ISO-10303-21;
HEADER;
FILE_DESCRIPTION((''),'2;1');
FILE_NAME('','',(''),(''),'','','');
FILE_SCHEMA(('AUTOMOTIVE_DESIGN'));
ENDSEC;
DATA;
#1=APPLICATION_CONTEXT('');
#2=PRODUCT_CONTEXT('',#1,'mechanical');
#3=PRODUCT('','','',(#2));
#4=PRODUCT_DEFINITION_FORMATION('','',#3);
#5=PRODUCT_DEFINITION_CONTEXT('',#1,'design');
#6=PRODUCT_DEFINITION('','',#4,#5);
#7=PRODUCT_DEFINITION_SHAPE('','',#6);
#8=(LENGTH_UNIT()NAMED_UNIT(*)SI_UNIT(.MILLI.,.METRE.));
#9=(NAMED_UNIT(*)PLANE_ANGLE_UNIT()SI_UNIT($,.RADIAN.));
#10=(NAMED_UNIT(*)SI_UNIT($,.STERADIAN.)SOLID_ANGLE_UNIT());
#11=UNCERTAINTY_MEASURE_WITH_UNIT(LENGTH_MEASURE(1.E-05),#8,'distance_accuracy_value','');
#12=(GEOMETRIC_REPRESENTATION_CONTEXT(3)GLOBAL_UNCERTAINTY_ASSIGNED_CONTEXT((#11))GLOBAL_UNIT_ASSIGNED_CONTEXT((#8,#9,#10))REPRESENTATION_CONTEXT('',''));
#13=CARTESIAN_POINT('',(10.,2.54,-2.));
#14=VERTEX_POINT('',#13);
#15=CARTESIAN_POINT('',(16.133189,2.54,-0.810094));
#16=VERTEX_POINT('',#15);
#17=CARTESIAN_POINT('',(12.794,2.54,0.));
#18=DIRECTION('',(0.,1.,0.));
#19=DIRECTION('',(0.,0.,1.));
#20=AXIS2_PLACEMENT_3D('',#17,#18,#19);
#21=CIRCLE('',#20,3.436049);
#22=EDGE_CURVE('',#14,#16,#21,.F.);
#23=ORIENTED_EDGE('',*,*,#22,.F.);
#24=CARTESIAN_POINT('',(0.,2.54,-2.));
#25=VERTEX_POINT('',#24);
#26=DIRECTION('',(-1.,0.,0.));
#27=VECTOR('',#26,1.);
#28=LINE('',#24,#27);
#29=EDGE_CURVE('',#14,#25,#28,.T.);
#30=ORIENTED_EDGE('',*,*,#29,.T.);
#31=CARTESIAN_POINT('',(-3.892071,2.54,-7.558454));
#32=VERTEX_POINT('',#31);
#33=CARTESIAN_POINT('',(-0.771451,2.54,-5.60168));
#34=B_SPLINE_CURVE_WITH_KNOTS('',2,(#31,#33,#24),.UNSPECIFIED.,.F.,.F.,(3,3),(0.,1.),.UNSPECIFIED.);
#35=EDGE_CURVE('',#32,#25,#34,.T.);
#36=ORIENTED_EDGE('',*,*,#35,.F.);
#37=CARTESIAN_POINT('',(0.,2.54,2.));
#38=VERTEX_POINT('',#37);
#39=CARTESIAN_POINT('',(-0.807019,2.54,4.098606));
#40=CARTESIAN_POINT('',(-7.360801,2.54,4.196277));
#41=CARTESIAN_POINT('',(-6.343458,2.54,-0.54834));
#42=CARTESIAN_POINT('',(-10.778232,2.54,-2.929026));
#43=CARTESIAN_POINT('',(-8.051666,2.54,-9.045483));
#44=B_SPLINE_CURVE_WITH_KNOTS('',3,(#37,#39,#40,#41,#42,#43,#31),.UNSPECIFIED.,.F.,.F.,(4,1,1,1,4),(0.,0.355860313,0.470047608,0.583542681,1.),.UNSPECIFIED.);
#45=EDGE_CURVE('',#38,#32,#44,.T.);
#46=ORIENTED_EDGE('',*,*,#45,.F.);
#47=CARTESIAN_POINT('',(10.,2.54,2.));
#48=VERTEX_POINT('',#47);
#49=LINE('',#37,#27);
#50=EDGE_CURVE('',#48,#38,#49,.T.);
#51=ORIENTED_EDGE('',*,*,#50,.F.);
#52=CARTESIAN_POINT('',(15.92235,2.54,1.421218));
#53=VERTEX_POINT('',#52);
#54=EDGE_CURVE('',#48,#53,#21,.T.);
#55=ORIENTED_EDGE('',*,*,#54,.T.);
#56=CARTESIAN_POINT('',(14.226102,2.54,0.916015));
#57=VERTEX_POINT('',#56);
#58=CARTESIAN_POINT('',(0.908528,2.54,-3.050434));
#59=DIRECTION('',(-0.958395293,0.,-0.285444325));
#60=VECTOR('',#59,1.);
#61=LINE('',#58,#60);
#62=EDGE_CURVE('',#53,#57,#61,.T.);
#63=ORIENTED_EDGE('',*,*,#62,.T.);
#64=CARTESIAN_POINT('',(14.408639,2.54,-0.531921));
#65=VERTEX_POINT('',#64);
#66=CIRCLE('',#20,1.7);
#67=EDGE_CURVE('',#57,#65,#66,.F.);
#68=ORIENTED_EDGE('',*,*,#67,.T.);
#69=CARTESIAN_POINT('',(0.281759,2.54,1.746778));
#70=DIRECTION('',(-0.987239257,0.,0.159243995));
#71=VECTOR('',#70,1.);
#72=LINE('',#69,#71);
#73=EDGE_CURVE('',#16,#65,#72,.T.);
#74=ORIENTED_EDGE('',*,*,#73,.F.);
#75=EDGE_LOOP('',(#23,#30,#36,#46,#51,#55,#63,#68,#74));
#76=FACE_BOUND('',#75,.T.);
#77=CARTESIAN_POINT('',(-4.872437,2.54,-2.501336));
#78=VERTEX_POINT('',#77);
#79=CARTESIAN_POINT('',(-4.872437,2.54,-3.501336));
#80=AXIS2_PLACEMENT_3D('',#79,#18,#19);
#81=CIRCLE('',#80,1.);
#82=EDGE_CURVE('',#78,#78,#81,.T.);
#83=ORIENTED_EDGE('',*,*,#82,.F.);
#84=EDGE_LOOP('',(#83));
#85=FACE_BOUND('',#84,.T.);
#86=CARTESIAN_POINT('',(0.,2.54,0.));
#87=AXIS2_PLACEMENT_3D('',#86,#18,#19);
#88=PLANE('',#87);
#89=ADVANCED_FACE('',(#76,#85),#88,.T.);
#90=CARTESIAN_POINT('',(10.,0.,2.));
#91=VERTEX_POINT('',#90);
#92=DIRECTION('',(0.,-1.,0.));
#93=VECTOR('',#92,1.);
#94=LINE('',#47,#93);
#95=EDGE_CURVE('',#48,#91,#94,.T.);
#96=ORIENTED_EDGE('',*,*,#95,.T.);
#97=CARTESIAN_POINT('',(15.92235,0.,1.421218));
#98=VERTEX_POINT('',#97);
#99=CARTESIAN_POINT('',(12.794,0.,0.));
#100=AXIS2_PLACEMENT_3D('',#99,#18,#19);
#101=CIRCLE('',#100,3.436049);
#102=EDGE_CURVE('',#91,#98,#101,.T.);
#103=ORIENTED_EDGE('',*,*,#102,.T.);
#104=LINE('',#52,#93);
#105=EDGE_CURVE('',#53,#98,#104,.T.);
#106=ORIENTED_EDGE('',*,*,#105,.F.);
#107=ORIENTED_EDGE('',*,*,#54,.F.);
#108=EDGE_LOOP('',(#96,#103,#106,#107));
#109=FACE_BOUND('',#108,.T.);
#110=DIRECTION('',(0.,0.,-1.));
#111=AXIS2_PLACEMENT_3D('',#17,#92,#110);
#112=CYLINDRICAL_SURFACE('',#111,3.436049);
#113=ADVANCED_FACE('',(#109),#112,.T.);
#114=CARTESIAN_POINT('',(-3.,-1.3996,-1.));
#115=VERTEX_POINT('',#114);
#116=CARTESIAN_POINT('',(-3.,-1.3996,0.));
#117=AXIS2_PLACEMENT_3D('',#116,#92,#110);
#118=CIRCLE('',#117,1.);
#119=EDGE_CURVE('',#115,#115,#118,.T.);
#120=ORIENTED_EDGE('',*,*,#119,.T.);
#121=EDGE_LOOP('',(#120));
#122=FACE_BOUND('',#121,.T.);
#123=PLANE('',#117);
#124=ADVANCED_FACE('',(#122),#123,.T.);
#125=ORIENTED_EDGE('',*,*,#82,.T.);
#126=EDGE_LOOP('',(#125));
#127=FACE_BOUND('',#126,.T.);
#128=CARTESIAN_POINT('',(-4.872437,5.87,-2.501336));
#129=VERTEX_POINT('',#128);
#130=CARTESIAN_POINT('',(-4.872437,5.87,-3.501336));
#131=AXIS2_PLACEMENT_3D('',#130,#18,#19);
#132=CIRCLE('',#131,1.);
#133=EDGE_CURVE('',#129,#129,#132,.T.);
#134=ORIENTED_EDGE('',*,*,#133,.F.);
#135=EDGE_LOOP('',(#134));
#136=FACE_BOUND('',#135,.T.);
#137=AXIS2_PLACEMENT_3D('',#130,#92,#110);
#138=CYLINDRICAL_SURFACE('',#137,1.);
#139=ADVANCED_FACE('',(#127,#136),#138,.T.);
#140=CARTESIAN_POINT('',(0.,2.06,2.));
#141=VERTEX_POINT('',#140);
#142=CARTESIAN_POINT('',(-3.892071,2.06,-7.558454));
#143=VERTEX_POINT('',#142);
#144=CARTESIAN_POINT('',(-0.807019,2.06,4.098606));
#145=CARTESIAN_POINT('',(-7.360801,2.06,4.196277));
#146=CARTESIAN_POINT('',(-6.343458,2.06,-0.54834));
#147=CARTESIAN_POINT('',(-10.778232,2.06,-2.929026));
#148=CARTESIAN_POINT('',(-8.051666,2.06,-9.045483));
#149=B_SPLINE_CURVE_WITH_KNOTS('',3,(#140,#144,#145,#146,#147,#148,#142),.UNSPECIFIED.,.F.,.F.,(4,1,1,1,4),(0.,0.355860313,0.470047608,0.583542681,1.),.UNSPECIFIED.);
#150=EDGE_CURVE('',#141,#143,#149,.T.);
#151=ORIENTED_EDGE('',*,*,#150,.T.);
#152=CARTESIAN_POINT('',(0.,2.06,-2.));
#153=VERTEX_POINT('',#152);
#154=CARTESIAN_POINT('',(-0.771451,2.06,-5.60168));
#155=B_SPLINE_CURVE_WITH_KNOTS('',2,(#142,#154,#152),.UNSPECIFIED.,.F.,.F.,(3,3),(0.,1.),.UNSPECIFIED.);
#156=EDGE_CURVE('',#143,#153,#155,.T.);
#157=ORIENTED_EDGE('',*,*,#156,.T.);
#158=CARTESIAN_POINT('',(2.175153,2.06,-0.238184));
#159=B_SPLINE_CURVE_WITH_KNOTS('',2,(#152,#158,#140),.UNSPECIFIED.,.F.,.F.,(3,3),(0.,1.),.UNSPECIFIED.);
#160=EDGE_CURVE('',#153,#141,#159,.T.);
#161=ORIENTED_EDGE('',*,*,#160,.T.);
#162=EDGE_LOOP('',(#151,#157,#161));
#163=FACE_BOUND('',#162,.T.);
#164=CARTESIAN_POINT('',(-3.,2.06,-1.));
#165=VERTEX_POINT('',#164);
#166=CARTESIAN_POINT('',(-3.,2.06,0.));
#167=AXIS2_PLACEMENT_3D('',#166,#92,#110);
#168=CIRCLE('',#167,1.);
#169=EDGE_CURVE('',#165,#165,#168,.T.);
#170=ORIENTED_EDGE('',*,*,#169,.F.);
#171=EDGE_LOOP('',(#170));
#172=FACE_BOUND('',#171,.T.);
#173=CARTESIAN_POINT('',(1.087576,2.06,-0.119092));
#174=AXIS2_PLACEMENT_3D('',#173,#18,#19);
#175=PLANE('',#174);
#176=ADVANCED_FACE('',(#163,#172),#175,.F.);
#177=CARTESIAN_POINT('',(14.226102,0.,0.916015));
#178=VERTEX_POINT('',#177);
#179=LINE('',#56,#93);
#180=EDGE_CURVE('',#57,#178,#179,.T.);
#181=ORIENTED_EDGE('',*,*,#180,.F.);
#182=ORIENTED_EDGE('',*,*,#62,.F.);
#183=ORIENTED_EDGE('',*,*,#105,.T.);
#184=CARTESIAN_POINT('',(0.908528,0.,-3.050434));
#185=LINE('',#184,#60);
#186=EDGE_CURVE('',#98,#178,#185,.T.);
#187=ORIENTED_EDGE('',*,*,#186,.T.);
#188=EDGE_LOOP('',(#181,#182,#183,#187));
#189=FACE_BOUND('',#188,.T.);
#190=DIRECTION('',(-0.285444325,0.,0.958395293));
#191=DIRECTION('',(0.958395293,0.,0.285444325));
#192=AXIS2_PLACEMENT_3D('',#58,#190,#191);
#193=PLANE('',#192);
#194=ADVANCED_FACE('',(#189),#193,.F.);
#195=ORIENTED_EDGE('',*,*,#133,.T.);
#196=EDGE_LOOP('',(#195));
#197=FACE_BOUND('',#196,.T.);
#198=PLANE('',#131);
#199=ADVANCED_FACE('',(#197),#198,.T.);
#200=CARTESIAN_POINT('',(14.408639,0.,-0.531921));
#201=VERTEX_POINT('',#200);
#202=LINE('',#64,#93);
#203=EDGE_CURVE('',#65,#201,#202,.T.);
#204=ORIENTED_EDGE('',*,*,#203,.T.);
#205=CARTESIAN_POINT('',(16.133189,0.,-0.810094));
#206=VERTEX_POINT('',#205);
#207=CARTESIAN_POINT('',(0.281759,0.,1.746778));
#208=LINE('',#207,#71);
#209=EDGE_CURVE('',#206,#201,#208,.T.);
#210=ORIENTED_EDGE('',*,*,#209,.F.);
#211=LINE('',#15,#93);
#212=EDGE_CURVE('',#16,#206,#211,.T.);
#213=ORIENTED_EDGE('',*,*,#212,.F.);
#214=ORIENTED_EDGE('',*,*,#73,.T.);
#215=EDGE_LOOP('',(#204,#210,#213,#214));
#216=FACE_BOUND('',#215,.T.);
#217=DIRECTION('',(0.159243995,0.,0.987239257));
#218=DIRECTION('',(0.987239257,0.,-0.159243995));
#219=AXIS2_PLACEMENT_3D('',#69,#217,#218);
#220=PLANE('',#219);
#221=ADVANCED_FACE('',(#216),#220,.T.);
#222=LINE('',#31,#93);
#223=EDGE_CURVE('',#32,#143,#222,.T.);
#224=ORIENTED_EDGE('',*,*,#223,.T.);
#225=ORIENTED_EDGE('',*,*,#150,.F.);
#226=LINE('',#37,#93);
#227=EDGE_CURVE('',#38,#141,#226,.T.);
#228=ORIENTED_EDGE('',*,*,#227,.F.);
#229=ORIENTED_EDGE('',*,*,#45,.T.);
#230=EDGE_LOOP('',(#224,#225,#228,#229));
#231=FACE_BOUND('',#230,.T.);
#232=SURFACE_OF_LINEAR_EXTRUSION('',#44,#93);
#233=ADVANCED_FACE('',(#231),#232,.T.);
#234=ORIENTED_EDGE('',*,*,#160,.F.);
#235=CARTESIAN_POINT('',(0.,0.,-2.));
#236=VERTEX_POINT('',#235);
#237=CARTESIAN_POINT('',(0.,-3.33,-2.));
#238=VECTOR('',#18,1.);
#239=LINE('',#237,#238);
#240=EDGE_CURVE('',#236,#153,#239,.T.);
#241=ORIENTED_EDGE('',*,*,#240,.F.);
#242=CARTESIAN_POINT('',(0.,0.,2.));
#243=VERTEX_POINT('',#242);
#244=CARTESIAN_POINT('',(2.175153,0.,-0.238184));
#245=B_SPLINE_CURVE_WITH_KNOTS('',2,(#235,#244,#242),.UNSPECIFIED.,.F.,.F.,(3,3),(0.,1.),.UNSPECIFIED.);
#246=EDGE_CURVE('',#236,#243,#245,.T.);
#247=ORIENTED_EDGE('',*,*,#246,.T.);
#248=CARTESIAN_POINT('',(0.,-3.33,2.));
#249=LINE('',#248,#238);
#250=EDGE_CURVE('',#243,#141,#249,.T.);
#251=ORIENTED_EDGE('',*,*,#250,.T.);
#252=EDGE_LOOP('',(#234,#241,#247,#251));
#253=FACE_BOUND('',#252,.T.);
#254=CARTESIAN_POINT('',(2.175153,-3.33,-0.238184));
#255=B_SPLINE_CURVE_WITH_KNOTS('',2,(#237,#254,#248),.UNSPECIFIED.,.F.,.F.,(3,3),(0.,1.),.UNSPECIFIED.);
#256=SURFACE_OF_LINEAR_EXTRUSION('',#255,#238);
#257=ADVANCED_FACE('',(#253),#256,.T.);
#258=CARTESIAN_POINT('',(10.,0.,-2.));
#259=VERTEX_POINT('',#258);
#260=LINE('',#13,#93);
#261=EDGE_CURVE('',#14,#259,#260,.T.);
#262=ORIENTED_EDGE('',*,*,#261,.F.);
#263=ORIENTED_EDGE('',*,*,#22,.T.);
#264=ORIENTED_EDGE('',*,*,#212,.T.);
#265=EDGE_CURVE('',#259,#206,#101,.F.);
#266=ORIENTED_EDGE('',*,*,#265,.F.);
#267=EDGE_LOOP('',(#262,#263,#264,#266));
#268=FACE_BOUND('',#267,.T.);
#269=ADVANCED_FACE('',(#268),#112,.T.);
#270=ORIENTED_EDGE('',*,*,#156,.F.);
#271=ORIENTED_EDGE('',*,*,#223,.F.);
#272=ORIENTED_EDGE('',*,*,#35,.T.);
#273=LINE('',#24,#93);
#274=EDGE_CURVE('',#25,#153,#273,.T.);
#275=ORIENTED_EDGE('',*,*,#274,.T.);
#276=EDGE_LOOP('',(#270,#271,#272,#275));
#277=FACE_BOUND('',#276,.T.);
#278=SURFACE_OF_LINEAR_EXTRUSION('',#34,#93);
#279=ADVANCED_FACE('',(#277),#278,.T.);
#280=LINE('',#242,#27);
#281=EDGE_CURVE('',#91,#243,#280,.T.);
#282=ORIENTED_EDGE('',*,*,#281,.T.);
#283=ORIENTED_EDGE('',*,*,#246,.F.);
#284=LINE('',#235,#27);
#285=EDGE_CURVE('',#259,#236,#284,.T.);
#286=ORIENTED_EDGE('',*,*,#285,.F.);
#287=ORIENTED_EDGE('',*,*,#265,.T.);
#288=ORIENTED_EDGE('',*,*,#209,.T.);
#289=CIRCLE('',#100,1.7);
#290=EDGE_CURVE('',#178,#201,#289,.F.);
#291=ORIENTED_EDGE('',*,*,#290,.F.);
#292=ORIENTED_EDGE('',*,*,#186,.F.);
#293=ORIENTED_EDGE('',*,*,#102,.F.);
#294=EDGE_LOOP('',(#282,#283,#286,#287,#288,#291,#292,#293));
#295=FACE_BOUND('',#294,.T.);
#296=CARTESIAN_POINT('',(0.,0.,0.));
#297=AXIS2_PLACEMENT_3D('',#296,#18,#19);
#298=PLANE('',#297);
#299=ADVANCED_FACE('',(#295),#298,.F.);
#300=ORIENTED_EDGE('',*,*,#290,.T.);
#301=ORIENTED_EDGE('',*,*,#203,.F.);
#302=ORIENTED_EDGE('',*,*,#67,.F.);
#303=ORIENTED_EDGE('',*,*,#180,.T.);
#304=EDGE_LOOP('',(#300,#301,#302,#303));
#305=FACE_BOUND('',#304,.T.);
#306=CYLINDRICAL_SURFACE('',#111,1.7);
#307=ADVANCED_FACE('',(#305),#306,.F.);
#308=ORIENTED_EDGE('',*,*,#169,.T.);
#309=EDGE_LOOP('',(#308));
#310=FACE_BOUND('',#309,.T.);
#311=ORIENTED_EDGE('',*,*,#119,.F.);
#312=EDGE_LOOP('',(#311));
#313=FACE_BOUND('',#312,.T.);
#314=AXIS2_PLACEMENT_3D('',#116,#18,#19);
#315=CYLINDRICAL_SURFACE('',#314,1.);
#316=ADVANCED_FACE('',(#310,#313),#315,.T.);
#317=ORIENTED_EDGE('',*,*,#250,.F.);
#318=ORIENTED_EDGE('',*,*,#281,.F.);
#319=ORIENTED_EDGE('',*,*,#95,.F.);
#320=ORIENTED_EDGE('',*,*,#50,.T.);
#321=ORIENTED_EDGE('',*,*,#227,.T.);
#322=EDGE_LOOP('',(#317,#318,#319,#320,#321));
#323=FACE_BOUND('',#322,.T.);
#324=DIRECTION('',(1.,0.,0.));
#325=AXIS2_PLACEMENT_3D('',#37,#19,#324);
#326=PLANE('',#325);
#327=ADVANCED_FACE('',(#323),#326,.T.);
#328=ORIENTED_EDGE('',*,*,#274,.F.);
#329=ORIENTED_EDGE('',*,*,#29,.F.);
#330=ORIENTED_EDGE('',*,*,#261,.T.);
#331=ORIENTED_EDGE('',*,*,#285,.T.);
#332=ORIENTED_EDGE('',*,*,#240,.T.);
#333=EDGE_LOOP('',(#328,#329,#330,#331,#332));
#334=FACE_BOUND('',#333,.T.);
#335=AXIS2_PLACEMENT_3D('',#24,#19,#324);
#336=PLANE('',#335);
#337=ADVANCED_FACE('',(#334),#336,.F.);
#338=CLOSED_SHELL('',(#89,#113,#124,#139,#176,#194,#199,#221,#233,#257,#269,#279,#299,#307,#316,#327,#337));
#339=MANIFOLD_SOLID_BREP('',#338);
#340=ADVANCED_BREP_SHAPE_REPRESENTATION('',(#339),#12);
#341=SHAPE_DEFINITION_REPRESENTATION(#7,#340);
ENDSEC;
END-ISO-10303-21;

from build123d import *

# Parameters (mm, degrees)
SKETCH1_W               = 10
SKETCH1_H               = 4
BOSS_EXTRUDE2_DEPTH     = 2.54
SKETCH3_R               = 1
BOSS_EXTRUDE3_DEPTH     = 1.5
SKETCH4_R               = 1
BOSS_EXTRUDE5_DEPTH     = 1.5
SKETCH7_R               = 1
BOSS_EXTRUDE6_DEPTH     = 3.33
SKETCH8_R               = 1
BOSS_EXTRUDE7_DEPTH     = 1.3996
SKETCH9_R               = 1
CUT_EXTRUDE1_DEPTH      = 3.33
CUT_EXTRUDE1_DEPTH_BACK = 2.06
SKETCH10_R              = 1.862138251
CUT_EXTRUDE2_DEPTH      = 2.06


with BuildPart() as part:
    # Sketch1 → Boss-Extrude2 (new body)
    with BuildSketch(Plane(origin=(0, 0, 0), x_dir=(1, 0, 0), z_dir=(0, 1, 0))):
        with BuildLine():
            add(Edge.make_bspline(
                [(-3.892071286, 7.55845385), (-0.771451313, 5.601679727), (0, 2)],
                knots=[0, 0, 0, 1, 1, 1], degree=2))
            Line((0, 2), (0, -2))
            add(Edge.make_bspline(
                [(0, -2), (-0.807019421, -4.0986057), (-7.360800537, -4.196276699), (-6.343457725, 0.548340217), (-10.778232398, 2.929025773), (-8.051665625, 9.045483404), (-3.892071286, 7.55845385)],
                knots=[0, 0, 0, 0, 0.355860313, 0.470047608, 0.583542681, 1, 1, 1, 1], degree=3))
        make_face()
        with Locations((5, 0)):
            Rectangle(SKETCH1_W, SKETCH1_H)
        with BuildLine():
            Line((11.094, 0), (10, 0))
            Line((10, 0), (10, -2))
            ThreePointArc((10, -2), (13.128207579, -3.419757491), (15.922350304, -1.421217919))
            Line((15.922350304, -1.421217919), (14.22610231, -0.916014724))
            ThreePointArc((14.22610231, -0.916014724), (12.316807128, -1.631651606), (11.094, 0))
        make_face()
        with BuildLine():
            Line((10, 2), (10, 0))
            Line((10, 0), (11.094, 0))
            ThreePointArc((11.094, 0), (12.524636877, 1.678524205), (14.408639421, 0.531920615))
            Line((14.408639421, 0.531920615), (16.133188964, 0.810094479))
            ThreePointArc((16.133188964, 0.810094479), (13.448428406, 3.373152748), (10, 2))
        make_face()
    extrude(amount=BOSS_EXTRUDE2_DEPTH)

    # Sketch3 → Boss-Extrude3 (add)
    with BuildSketch(Plane(origin=(0, 2.54, 0), x_dir=(1, 0, 0), z_dir=(0, 1, 0))):
        with Locations((-3, 0)):
            Circle(SKETCH3_R)
    extrude(amount=BOSS_EXTRUDE3_DEPTH)

    # Sketch4 → Boss-Extrude5 (add)
    with BuildSketch(Plane(origin=(0, 0, 0), x_dir=(-1, 0, 0), z_dir=(0, -1, 0))):
        with Locations((4.872437244, 3.501336217)):
            Circle(SKETCH4_R)
    extrude(amount=BOSS_EXTRUDE5_DEPTH)

    # Sketch7 → Boss-Extrude6 (add)
    with BuildSketch(Plane(origin=(0, 2.54, 0), x_dir=(1, 0, 0), z_dir=(0, 1, 0))):
        with Locations((-4.872437244, 3.501336217)):
            Circle(SKETCH7_R)
    extrude(amount=BOSS_EXTRUDE6_DEPTH)

    # Sketch8 → Boss-Extrude7 (add)
    with BuildSketch(Plane(origin=(0, 0, 0), x_dir=(-1, 0, 0), z_dir=(0, -1, 0))):
        with Locations((3, 0)):
            Circle(SKETCH8_R)
    extrude(amount=BOSS_EXTRUDE7_DEPTH)

    # Sketch9 → Cut-Extrude1 (cut, two sides)
    with BuildSketch(Plane(origin=(0, 0, 0), x_dir=(-1, 0, 0), z_dir=(0, -1, 0))) as cut_extrude1_sk:
        with BuildLine():
            Line((0, 8.859088838), (0, 2))
            add(Edge.make_bspline(
                [(0, 2), (-2.175152806, 0.238184258), (0, -2)],
                knots=[0, 0, 0, 1, 1, 1], degree=2))
            Line((0, -2), (0, -4.672458071))
            Line((0, -4.672458071), (11.092635024, -4.672458071))
            Line((11.092635024, -4.672458071), (11.092635024, 8.859088838))
            Line((11.092635024, 8.859088838), (0, 8.859088838))
        make_face()
        with Locations((3, 0)):
            Circle(SKETCH9_R, mode=Mode.SUBTRACT)
    extrude(amount=CUT_EXTRUDE1_DEPTH, mode=Mode.SUBTRACT)
    extrude(cut_extrude1_sk.sketch, amount=-CUT_EXTRUDE1_DEPTH_BACK, mode=Mode.SUBTRACT)

    # Sketch10 → Cut-Extrude2 (cut)
    with BuildSketch(Plane(origin=(0, 2.54, 0), x_dir=(1, 0, 0), z_dir=(0, 1, 0))):
        with Locations((-2.940866893, -0.166273011)):
            Circle(SKETCH10_R)
    extrude(amount=CUT_EXTRUDE2_DEPTH, mode=Mode.SUBTRACT)


solid = part.part
